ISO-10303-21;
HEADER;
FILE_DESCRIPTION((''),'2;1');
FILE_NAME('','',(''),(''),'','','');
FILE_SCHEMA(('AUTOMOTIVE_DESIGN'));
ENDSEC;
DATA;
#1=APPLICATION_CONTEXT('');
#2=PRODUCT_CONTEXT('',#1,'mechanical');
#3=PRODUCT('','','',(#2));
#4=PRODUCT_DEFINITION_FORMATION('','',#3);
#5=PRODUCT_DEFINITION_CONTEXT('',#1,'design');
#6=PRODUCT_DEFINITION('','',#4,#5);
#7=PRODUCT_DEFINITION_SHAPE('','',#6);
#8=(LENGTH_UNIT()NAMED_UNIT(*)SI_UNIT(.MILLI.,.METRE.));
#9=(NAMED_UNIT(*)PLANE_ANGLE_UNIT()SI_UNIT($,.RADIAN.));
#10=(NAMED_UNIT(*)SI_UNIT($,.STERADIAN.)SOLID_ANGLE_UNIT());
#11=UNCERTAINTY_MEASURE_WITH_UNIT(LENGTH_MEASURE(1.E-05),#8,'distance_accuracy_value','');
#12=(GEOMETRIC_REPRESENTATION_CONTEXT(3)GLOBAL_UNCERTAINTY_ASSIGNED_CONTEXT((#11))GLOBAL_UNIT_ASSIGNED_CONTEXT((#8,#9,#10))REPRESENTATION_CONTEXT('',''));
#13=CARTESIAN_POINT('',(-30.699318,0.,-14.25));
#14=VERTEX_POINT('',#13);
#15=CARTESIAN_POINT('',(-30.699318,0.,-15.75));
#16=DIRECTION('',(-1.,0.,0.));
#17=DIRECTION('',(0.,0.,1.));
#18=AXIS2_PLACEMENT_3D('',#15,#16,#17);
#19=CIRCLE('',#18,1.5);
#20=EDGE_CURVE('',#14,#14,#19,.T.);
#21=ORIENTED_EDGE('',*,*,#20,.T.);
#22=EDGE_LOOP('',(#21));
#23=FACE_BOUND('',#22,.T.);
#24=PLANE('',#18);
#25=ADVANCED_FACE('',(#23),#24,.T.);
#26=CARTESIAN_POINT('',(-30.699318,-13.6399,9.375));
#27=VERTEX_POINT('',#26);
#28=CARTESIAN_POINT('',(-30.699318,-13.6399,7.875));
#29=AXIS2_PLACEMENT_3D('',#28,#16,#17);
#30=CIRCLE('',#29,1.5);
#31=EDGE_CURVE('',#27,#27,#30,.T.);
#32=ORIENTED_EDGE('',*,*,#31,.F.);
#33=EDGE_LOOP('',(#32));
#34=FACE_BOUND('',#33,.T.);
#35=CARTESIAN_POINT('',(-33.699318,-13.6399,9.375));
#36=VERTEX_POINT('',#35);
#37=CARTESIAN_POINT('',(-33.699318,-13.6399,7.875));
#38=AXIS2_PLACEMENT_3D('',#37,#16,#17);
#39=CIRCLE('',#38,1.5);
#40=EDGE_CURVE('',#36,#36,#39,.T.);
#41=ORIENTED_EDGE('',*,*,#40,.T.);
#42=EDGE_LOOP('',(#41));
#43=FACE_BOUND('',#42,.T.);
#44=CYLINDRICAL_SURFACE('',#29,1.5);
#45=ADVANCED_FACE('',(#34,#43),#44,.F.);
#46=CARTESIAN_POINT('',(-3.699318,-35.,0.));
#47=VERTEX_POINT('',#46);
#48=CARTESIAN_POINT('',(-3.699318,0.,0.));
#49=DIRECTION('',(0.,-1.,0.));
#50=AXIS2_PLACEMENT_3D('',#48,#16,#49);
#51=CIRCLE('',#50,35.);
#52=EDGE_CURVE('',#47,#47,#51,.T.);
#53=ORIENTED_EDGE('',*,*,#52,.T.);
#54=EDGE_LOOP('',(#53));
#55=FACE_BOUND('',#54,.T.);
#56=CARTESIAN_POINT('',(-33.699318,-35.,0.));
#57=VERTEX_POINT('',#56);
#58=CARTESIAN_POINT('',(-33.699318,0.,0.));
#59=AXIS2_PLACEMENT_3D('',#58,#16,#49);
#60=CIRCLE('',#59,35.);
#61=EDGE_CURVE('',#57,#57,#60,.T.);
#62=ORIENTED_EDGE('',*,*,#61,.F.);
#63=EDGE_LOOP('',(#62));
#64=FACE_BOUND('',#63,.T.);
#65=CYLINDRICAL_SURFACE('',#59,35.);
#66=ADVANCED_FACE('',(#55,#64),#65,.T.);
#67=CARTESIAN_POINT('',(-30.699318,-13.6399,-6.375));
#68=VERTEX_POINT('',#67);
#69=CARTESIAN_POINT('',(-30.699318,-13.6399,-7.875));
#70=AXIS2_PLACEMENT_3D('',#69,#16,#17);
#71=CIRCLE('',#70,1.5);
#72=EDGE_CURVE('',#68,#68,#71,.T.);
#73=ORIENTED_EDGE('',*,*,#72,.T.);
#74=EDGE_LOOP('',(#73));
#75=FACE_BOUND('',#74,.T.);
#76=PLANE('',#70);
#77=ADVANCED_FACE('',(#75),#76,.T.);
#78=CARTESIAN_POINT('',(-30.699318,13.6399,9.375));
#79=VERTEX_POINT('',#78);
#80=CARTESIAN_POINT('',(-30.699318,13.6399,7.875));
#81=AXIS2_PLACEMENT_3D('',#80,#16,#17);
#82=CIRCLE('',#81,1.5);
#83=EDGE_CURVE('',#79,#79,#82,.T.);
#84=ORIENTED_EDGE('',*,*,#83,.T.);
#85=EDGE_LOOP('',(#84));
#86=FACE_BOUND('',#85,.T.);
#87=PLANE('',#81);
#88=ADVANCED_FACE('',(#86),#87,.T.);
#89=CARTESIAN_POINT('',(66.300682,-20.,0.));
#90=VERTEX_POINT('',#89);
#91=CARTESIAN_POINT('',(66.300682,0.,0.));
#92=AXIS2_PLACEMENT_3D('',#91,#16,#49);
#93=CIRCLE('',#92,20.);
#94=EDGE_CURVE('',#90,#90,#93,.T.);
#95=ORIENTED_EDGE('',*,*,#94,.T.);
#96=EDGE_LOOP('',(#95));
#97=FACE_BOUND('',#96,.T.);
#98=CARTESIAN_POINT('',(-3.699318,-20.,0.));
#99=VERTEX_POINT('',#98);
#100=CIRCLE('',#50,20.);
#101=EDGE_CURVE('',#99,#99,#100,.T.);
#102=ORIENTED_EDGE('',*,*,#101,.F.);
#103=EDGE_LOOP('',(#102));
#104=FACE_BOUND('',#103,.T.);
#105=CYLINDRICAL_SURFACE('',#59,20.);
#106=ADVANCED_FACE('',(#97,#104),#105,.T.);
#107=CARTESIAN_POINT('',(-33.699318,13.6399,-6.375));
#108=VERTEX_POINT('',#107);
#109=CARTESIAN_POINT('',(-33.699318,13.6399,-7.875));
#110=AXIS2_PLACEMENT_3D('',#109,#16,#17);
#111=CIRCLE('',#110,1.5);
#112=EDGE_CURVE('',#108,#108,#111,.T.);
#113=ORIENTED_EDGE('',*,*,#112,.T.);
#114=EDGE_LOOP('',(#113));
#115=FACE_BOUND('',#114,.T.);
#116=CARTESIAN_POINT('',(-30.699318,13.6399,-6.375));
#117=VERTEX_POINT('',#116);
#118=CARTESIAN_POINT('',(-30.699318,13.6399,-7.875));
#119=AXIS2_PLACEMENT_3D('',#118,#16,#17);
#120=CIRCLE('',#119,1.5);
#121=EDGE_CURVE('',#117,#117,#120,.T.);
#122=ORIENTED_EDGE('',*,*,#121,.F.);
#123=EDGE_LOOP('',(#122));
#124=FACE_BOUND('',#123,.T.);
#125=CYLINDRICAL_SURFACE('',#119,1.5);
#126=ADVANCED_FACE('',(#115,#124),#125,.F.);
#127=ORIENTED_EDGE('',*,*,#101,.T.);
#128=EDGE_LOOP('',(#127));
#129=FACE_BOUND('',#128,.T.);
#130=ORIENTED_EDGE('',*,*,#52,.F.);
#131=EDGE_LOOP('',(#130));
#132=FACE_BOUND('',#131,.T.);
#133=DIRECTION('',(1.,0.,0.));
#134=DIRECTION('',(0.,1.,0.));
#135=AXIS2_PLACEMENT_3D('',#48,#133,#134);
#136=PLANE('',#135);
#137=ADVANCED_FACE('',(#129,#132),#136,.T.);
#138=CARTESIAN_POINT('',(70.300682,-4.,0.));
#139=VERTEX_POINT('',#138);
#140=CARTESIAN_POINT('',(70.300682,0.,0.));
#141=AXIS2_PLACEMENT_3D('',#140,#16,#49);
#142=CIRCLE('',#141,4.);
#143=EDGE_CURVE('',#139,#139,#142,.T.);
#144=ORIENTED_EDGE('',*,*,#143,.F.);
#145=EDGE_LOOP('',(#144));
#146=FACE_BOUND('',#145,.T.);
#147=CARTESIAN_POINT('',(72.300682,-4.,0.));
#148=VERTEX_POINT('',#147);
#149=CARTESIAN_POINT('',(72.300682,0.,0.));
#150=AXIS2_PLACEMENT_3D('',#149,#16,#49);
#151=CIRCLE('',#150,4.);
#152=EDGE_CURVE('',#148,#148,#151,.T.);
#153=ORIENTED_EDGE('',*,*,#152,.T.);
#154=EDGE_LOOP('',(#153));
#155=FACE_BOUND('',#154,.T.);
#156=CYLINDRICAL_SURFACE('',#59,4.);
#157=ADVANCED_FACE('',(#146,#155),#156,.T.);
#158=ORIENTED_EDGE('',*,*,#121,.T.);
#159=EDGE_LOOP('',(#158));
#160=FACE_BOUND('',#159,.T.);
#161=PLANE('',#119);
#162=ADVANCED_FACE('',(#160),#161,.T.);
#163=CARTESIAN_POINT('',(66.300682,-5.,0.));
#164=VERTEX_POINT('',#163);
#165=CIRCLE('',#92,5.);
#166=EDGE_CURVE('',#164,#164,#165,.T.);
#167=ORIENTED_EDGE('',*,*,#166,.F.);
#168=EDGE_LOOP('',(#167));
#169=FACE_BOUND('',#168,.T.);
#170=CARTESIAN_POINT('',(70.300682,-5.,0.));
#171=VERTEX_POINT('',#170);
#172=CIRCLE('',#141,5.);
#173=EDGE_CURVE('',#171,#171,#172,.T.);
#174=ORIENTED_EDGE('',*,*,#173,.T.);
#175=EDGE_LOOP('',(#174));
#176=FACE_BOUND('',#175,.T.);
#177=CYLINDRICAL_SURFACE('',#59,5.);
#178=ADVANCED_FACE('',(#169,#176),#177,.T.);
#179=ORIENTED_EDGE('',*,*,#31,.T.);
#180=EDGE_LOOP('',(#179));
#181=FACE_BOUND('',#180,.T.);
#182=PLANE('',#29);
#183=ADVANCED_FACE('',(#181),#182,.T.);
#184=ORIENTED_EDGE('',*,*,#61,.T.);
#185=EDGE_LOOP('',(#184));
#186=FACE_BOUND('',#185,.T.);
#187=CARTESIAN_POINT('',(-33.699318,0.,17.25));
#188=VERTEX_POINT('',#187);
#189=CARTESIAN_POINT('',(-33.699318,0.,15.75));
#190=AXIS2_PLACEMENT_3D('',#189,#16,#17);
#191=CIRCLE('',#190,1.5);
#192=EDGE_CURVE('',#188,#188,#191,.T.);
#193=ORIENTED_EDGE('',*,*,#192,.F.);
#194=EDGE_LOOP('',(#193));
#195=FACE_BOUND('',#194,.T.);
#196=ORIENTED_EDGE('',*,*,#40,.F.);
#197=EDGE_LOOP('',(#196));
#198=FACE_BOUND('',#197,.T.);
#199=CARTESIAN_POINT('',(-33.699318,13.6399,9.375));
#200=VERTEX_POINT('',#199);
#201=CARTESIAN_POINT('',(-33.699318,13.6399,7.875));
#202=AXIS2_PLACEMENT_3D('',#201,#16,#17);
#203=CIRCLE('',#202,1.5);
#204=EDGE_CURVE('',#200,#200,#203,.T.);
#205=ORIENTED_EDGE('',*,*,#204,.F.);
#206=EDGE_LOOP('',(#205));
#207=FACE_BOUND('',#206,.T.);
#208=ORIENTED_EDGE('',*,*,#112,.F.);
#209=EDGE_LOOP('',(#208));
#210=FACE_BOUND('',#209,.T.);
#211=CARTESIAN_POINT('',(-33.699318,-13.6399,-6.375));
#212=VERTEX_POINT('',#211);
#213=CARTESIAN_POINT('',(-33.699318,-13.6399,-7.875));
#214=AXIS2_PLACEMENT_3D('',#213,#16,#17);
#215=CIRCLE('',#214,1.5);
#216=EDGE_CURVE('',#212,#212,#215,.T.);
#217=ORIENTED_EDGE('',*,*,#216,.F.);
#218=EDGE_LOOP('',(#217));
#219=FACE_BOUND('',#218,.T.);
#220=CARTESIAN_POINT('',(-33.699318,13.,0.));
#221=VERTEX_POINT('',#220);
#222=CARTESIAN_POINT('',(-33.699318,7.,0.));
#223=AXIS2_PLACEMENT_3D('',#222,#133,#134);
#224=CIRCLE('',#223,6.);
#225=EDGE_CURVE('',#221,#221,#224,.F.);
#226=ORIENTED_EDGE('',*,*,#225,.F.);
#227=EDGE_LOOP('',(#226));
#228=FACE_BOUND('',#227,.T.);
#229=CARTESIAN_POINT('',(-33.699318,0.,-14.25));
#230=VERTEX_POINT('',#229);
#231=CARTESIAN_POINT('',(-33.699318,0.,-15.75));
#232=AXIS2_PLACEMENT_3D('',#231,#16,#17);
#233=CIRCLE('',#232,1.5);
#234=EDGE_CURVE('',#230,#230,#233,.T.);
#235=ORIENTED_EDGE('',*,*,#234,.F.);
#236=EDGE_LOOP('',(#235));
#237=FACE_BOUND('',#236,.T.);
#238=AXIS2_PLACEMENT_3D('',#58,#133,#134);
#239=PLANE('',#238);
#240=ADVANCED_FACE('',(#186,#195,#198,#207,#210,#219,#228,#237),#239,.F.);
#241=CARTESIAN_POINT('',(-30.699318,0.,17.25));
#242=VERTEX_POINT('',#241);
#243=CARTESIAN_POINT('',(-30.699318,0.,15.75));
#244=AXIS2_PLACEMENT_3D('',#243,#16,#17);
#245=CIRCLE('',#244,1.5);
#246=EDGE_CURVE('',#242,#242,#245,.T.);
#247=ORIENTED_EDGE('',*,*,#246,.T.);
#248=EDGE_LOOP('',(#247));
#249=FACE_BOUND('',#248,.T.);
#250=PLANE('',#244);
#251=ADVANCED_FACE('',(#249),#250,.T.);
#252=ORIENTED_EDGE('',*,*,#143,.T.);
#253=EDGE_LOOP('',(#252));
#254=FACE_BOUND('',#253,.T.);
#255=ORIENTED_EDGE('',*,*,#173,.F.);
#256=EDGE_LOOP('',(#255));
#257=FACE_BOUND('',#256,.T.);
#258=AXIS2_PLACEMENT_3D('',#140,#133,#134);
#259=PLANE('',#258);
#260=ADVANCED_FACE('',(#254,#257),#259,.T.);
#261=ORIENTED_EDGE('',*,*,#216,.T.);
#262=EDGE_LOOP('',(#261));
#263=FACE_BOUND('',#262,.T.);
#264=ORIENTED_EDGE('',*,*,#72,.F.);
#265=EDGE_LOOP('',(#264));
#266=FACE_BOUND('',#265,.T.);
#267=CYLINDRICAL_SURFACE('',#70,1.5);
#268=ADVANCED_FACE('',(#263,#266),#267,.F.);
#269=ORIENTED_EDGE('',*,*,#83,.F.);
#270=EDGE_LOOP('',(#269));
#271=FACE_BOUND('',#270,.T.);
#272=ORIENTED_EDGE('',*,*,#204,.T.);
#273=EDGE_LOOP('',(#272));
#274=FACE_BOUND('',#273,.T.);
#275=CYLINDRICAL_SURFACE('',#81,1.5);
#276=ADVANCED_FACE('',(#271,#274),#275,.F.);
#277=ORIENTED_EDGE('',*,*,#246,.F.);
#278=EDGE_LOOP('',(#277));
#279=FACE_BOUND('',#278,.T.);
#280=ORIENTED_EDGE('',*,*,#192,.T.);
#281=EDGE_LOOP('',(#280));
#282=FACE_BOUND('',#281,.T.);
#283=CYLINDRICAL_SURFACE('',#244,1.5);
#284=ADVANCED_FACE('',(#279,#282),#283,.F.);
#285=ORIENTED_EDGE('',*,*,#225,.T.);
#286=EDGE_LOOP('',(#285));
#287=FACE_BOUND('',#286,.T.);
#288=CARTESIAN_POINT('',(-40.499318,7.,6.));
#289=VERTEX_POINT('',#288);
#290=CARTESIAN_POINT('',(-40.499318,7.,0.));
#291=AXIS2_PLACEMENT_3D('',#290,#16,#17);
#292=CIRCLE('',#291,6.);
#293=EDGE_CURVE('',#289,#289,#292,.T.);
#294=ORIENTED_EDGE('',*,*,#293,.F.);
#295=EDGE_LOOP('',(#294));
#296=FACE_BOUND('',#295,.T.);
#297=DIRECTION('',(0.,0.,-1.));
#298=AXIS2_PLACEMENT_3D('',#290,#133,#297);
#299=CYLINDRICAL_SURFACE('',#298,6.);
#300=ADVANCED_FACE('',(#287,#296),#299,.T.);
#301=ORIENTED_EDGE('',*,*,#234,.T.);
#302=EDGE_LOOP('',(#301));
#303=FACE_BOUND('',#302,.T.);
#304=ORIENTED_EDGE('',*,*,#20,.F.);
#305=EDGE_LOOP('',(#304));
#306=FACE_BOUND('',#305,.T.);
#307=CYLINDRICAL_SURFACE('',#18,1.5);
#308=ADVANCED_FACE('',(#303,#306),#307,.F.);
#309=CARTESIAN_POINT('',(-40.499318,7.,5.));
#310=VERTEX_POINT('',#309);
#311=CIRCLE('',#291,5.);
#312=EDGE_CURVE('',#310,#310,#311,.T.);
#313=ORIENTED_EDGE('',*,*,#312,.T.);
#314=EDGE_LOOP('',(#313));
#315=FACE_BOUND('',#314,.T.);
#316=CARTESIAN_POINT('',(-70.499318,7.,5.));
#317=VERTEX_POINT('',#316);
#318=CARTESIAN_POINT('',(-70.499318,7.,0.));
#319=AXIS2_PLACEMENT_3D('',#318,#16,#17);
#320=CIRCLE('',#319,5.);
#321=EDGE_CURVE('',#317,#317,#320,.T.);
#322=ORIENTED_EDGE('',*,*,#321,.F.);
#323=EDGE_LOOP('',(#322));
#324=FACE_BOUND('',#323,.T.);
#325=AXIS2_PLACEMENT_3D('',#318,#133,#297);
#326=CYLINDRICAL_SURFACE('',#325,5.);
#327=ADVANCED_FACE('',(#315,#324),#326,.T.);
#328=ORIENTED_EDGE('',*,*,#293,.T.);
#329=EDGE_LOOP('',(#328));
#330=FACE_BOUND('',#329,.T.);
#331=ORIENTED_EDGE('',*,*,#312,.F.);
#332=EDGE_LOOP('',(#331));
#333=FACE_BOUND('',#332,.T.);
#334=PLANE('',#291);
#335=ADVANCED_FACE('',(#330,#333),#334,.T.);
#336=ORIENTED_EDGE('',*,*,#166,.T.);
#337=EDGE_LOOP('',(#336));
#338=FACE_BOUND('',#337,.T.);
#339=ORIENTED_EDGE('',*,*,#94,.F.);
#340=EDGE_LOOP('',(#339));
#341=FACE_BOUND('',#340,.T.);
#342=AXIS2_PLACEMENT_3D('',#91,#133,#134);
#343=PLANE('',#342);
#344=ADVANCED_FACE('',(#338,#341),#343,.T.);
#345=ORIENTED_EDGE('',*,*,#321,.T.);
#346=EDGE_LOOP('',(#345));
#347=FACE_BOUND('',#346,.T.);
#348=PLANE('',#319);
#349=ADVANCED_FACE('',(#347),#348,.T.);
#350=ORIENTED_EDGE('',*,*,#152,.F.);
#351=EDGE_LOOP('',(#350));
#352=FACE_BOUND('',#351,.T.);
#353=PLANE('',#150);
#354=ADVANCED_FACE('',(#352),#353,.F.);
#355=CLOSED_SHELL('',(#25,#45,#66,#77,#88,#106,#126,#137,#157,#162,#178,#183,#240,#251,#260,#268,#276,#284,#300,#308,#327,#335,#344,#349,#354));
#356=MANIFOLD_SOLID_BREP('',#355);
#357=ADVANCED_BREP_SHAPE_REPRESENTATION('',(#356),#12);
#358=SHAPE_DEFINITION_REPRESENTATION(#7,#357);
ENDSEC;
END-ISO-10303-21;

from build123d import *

# Parameters (mm, degrees)
SKETCH2_R           = 6
BOSS_EXTRUDE1_DEPTH = 6.8
SKETCH3_R           = 5
BOSS_EXTRUDE2_DEPTH = 30
SKETCH4_R           = 1.5
CUT_EXTRUDE1_DEPTH  = 3


with BuildPart() as part:
    # Sketch1 → Revolve1 (revolve)
    with BuildSketch(Plane.XY, mode=Mode.PRIVATE) as revolve1_sk:
        Polygon((70.300682485, 4), (70.300682485, 5), (66.300682485, 5), (66.300682485, 20), (-3.699317515, 20), (-3.699317515, 35), (-33.699317515, 35), (-33.699317515, 0), (72.300682485, 0), (72.300682485, 4), align=None)
    revolve(revolve1_sk.sketch.rotate(Axis((-33.699317515, 0, 0), (1, 0, 0)), 180), axis=Axis((-33.699317515, 0, 0), (1, 0, 0)))

    # Sketch2 → Boss-Extrude1 (add)
    with BuildSketch(Plane.ZY.offset(33.699317515)):
        with Locations(Location((0, 7, 0), (0, 0, 90))):
            Circle(SKETCH2_R)
    extrude(amount=BOSS_EXTRUDE1_DEPTH)

    # Sketch3 → Boss-Extrude2 (add)
    with BuildSketch(Plane.ZY.offset(40.499317515)):
        with Locations((0, 7)):
            Circle(SKETCH3_R)
    extrude(amount=BOSS_EXTRUDE2_DEPTH)

    # Sketch4 → Cut-Extrude1 (cut)
    with BuildSketch(Plane.ZY.offset(33.699317515)):
        with Locations((-15.75, 0)):
            Circle(SKETCH4_R)
        with Locations((-7.875, 13.63990011)):
            Circle(SKETCH4_R)
        with Locations((7.875, 13.63990011)):
            Circle(SKETCH4_R)
        with Locations((15.75, 0)):
            Circle(SKETCH4_R)
        with Locations((7.875, -13.63990011)):
            Circle(SKETCH4_R)
        with Locations((-7.875, -13.63990011)):
            Circle(SKETCH4_R)
    extrude(amount=-CUT_EXTRUDE1_DEPTH, mode=Mode.SUBTRACT)


solid = part.part
